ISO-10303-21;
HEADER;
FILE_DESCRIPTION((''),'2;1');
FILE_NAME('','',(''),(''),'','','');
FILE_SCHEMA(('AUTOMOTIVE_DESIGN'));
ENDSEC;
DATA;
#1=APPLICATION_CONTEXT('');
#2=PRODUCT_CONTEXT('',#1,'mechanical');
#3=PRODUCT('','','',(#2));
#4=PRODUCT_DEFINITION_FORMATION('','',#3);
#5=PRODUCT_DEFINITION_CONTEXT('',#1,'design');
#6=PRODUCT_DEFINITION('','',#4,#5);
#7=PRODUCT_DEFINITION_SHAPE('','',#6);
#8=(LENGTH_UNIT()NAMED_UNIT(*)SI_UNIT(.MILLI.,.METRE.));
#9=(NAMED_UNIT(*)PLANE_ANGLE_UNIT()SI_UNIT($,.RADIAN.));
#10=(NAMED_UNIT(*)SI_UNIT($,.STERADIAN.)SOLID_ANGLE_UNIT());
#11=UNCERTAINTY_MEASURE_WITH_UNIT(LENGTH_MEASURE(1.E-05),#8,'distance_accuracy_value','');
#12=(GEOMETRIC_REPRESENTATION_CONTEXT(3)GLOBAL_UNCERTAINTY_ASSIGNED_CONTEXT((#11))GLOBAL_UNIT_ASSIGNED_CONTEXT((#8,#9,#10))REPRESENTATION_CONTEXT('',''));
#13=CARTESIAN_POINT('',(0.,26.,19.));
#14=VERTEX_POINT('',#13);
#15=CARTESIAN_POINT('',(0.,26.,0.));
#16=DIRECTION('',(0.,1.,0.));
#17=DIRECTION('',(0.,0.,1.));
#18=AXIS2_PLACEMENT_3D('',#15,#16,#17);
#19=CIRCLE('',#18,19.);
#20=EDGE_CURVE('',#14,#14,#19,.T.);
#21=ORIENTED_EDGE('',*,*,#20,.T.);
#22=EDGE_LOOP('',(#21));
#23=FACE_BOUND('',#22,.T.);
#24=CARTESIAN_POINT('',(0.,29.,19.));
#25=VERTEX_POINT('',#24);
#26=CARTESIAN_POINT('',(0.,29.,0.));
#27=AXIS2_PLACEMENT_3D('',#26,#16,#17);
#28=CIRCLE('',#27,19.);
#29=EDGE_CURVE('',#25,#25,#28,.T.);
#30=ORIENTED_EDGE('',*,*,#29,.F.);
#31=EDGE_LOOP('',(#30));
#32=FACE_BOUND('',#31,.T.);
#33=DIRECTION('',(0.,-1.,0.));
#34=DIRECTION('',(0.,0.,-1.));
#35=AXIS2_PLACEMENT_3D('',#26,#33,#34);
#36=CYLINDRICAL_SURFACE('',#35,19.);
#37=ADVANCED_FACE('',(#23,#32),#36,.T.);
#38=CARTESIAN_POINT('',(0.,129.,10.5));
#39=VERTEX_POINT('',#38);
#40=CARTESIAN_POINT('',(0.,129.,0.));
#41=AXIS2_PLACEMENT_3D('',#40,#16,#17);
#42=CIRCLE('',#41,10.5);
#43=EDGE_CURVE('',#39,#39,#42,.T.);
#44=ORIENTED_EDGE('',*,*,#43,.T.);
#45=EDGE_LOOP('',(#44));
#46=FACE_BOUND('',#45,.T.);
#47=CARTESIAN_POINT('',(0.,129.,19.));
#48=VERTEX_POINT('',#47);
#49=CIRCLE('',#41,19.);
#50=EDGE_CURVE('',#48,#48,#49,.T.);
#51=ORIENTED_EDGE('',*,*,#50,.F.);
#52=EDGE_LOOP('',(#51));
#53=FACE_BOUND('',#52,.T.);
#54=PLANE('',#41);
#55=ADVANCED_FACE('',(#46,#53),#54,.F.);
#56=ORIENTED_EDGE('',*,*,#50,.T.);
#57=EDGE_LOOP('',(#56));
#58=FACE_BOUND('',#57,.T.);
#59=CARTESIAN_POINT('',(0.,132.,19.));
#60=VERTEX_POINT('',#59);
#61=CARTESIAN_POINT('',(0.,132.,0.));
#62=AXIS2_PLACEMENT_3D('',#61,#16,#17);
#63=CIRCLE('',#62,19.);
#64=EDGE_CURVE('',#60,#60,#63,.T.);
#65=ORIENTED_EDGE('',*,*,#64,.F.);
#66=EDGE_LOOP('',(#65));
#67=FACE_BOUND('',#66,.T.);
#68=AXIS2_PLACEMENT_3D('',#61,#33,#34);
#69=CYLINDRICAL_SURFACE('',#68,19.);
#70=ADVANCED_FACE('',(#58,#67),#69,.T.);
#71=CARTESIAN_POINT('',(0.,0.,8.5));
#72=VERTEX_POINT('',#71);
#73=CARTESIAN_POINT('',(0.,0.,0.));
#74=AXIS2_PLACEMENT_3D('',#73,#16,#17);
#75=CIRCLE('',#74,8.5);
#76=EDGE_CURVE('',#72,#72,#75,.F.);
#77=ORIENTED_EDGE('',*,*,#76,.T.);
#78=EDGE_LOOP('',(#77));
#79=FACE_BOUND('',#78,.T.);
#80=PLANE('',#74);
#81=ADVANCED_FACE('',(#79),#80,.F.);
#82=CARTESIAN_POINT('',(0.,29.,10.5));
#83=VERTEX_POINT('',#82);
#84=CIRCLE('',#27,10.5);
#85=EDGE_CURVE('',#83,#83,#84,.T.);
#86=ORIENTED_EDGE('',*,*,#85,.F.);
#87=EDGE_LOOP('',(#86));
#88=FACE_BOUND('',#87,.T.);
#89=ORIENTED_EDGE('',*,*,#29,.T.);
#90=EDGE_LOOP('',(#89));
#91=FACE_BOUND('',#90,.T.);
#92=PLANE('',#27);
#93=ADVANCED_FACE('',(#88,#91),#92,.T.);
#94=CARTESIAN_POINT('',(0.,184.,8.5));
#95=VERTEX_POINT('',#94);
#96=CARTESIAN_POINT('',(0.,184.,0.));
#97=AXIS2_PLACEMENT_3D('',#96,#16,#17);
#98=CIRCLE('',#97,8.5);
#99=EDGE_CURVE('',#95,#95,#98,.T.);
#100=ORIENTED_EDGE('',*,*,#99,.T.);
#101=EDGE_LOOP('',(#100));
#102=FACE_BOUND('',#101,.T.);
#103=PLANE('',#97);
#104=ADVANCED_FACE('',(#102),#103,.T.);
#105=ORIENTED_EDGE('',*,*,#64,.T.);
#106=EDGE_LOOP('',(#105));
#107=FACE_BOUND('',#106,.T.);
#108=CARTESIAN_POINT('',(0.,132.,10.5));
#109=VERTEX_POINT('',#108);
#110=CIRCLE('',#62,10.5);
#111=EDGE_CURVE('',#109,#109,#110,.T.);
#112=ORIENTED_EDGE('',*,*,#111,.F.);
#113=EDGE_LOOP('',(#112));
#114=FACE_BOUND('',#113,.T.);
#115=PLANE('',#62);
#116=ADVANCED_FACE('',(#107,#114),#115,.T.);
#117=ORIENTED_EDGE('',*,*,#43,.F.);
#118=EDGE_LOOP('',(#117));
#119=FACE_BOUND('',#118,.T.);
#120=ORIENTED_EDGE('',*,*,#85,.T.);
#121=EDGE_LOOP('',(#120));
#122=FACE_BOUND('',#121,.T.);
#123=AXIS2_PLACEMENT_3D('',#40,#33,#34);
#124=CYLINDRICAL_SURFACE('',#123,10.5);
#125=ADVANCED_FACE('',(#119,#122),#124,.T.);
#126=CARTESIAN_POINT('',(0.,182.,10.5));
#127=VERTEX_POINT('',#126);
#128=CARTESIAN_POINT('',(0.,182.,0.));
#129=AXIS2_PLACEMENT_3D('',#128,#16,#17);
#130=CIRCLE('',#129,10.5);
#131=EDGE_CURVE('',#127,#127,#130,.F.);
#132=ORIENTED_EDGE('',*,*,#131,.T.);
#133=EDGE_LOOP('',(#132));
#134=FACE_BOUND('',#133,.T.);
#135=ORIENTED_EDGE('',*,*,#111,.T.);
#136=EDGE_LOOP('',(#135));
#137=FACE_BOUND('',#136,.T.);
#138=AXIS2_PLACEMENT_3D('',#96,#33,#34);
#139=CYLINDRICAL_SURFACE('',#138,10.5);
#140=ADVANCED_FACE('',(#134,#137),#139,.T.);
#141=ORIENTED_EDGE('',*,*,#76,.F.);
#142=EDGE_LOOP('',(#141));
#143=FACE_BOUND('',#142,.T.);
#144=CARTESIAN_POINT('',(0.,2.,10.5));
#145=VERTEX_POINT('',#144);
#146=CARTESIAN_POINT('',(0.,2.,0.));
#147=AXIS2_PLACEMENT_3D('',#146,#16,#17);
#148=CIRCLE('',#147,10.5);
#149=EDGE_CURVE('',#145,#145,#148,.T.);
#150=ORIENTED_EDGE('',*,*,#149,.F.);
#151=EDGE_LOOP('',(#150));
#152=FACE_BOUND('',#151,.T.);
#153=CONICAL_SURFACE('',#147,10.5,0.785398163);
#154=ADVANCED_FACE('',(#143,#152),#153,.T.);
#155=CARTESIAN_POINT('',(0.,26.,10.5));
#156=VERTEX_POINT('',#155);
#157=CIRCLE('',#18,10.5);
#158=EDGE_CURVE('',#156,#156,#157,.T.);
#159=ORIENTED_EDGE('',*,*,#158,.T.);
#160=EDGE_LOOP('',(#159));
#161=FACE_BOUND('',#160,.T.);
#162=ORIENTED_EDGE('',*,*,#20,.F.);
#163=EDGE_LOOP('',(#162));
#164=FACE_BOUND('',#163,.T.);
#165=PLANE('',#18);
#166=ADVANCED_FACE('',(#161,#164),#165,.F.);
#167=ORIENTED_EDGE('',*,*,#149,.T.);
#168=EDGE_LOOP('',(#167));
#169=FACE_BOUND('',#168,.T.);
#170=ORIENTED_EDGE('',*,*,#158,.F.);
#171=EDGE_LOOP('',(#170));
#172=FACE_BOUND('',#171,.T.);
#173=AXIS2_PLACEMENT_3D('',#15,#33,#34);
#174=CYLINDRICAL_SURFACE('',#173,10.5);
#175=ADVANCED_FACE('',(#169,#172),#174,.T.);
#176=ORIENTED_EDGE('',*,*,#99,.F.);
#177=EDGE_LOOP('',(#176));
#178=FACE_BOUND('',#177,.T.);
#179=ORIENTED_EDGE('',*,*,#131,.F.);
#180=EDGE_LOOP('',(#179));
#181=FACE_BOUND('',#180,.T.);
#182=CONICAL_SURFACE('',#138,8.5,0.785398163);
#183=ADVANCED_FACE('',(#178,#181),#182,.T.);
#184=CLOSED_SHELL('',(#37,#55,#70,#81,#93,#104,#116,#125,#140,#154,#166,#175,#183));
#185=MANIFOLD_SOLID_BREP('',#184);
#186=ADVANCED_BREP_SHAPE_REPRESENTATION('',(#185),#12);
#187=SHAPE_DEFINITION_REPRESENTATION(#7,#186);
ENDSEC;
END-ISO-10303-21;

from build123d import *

# Parameters (mm, degrees)
SKETCH1_R           = 10.5
BOSS_EXTRUDE1_DEPTH = 26
BOSS_EXTRUDE2_START = 26
SKETCH1_3_R         = 19
BOSS_EXTRUDE2_DEPTH = 3
BOSS_EXTRUDE3_START = 29
SKETCH1_4_R         = 10.5
BOSS_EXTRUDE3_DEPTH = 100
BOSS_EXTRUDE4_START = 129
SKETCH1_5_R         = 19
BOSS_EXTRUDE4_DEPTH = 3
BOSS_EXTRUDE5_START = 132
SKETCH1_6_R         = 10.5
BOSS_EXTRUDE5_DEPTH = 52
CHAMFER1_SIZE       = 2


with BuildPart() as part:
    # Sketch1 → Boss-Extrude1 (new body)
    with BuildSketch(Plane(origin=(0, 0, 0), x_dir=(1, 0, 0), z_dir=(0, 1, 0))):
        Circle(SKETCH1_R)
    extrude(amount=BOSS_EXTRUDE1_DEPTH)

    # Sketch1<3> → Boss-Extrude2 (add)
    with BuildSketch(Plane(origin=(0, 0, 0), x_dir=(1, 0, 0), z_dir=(0, 1, 0)).offset(BOSS_EXTRUDE2_START)):
        Circle(SKETCH1_3_R)
    extrude(amount=BOSS_EXTRUDE2_DEPTH)

    # Sketch1<4> → Boss-Extrude3 (add)
    with BuildSketch(Plane(origin=(0, 0, 0), x_dir=(1, 0, 0), z_dir=(0, 1, 0)).offset(BOSS_EXTRUDE3_START)):
        Circle(SKETCH1_4_R)
    extrude(amount=BOSS_EXTRUDE3_DEPTH)

    # Sketch1<5> → Boss-Extrude4 (add)
    with BuildSketch(Plane(origin=(0, 0, 0), x_dir=(1, 0, 0), z_dir=(0, 1, 0)).offset(BOSS_EXTRUDE4_START)):
        Circle(SKETCH1_5_R)
    extrude(amount=BOSS_EXTRUDE4_DEPTH)

    # Sketch1<6> → Boss-Extrude5 (add)
    with BuildSketch(Plane(origin=(0, 0, 0), x_dir=(1, 0, 0), z_dir=(0, 1, 0)).offset(BOSS_EXTRUDE5_START)):
        Circle(SKETCH1_6_R)
    extrude(amount=BOSS_EXTRUDE5_DEPTH)

    # Chamfer1
    chamfer1_edges = [part.edges().sort_by_distance(p)[0] for p in [
        (-10.5, 184, 0),
        (-10.5, 0, 0),
    ]]
    chamfer(chamfer1_edges, length=CHAMFER1_SIZE)


solid = part.part
